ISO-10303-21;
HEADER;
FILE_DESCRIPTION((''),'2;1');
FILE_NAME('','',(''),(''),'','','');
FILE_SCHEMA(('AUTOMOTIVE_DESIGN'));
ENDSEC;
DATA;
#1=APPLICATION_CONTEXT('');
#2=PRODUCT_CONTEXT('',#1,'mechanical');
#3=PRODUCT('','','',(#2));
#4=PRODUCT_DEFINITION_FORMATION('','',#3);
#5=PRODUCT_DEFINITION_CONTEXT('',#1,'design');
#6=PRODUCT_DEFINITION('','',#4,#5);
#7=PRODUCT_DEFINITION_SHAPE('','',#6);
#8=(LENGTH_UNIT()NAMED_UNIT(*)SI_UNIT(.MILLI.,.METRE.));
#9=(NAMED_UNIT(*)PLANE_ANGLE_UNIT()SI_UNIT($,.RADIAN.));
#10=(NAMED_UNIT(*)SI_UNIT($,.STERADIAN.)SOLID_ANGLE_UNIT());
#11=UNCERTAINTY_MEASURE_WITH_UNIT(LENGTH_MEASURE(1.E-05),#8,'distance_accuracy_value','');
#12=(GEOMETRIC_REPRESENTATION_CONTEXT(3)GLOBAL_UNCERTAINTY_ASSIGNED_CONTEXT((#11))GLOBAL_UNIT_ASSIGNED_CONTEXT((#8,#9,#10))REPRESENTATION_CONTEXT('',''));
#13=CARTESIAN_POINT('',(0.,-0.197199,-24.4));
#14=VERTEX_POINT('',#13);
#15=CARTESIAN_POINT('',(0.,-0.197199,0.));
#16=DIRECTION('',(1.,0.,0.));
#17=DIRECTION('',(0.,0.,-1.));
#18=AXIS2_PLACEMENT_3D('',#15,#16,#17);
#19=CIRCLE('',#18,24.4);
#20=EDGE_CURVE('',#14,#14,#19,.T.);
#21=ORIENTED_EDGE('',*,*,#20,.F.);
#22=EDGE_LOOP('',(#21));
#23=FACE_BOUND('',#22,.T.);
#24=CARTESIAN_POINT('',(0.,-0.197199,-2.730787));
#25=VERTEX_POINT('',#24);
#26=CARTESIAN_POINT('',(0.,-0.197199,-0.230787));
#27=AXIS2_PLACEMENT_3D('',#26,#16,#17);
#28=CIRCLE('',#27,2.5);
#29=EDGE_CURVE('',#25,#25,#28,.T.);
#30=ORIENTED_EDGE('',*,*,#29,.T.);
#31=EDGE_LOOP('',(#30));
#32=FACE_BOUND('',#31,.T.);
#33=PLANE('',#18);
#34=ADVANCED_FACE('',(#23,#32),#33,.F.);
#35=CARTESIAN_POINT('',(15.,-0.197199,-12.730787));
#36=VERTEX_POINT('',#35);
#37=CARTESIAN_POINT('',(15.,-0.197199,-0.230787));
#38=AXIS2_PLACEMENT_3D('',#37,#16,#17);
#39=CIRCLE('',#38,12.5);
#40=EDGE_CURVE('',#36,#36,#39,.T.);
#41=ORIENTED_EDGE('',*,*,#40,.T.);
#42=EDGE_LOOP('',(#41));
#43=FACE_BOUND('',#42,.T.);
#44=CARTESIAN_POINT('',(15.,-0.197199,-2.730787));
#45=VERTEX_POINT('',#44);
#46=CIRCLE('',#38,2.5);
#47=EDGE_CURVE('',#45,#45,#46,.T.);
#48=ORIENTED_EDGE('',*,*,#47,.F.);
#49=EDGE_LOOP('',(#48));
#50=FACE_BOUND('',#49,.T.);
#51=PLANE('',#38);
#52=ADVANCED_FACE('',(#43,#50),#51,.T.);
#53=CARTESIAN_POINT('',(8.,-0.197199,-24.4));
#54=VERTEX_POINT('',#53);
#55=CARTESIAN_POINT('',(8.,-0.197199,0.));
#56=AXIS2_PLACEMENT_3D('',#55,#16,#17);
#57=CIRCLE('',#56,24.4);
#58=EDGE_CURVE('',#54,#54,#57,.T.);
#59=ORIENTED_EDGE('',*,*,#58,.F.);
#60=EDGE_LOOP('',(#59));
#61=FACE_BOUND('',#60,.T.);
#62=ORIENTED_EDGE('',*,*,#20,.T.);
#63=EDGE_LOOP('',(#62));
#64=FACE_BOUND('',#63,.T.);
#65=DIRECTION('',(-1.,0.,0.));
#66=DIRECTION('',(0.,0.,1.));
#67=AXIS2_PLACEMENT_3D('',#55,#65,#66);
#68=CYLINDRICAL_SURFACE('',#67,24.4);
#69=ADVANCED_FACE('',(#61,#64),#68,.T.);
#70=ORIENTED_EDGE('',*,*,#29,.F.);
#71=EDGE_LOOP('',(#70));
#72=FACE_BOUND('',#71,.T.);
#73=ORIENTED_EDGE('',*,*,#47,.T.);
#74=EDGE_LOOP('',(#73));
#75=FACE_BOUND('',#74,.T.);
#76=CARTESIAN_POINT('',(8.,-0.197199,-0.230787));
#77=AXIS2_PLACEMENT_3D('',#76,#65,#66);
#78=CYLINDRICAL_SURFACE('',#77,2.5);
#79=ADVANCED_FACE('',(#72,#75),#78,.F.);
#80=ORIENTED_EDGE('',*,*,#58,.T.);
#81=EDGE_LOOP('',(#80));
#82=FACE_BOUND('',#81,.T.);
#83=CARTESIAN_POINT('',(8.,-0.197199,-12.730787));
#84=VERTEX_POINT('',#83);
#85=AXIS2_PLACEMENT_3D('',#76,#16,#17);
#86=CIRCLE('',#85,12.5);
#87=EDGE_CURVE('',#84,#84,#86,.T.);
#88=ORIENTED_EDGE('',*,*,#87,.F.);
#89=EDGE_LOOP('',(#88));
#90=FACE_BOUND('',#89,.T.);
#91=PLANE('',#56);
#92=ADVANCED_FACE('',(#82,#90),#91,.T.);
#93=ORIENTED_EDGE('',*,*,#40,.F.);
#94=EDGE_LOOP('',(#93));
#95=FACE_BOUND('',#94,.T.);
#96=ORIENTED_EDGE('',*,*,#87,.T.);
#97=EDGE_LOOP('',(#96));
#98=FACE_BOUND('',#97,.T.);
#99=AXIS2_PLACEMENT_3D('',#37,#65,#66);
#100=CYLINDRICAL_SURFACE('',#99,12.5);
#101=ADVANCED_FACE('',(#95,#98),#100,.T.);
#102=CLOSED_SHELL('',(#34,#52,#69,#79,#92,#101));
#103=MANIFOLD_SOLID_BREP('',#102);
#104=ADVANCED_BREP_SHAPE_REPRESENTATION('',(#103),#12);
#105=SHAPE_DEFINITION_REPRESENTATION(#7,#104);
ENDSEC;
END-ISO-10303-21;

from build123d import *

# Parameters (mm, degrees)
SKETCH1_R           = 24.4
SKETCH1_R_2         = 2.5
BOSS_EXTRUDE1_DEPTH = 8
SKETCH2_R           = 12.5
SKETCH2_R_2         = 2.5
BOSS_EXTRUDE3_DEPTH = 7


with BuildPart() as part:
    # Sketch1 → Boss-Extrude1 (new body)
    with BuildSketch(Plane(origin=(0, 0, 0), x_dir=(0, 0, -1), z_dir=(1, 0, 0))):
        with Locations((0, -0.19719949)):
            Circle(SKETCH1_R)
        with Locations((0.230786774, -0.19719949)):
            Circle(SKETCH1_R_2, mode=Mode.SUBTRACT)
    extrude(amount=BOSS_EXTRUDE1_DEPTH)

    # Sketch2 → Boss-Extrude3 (add)
    with BuildSketch(Plane(origin=(8, 0, 0), x_dir=(0, 0, -1), z_dir=(1, 0, 0))):
        with Locations((0.230786774, -0.19719949)):
            Circle(SKETCH2_R)
        with Locations((0.230786774, -0.19719949)):
            Circle(SKETCH2_R_2, mode=Mode.SUBTRACT)
    extrude(amount=BOSS_EXTRUDE3_DEPTH)


solid = part.part
